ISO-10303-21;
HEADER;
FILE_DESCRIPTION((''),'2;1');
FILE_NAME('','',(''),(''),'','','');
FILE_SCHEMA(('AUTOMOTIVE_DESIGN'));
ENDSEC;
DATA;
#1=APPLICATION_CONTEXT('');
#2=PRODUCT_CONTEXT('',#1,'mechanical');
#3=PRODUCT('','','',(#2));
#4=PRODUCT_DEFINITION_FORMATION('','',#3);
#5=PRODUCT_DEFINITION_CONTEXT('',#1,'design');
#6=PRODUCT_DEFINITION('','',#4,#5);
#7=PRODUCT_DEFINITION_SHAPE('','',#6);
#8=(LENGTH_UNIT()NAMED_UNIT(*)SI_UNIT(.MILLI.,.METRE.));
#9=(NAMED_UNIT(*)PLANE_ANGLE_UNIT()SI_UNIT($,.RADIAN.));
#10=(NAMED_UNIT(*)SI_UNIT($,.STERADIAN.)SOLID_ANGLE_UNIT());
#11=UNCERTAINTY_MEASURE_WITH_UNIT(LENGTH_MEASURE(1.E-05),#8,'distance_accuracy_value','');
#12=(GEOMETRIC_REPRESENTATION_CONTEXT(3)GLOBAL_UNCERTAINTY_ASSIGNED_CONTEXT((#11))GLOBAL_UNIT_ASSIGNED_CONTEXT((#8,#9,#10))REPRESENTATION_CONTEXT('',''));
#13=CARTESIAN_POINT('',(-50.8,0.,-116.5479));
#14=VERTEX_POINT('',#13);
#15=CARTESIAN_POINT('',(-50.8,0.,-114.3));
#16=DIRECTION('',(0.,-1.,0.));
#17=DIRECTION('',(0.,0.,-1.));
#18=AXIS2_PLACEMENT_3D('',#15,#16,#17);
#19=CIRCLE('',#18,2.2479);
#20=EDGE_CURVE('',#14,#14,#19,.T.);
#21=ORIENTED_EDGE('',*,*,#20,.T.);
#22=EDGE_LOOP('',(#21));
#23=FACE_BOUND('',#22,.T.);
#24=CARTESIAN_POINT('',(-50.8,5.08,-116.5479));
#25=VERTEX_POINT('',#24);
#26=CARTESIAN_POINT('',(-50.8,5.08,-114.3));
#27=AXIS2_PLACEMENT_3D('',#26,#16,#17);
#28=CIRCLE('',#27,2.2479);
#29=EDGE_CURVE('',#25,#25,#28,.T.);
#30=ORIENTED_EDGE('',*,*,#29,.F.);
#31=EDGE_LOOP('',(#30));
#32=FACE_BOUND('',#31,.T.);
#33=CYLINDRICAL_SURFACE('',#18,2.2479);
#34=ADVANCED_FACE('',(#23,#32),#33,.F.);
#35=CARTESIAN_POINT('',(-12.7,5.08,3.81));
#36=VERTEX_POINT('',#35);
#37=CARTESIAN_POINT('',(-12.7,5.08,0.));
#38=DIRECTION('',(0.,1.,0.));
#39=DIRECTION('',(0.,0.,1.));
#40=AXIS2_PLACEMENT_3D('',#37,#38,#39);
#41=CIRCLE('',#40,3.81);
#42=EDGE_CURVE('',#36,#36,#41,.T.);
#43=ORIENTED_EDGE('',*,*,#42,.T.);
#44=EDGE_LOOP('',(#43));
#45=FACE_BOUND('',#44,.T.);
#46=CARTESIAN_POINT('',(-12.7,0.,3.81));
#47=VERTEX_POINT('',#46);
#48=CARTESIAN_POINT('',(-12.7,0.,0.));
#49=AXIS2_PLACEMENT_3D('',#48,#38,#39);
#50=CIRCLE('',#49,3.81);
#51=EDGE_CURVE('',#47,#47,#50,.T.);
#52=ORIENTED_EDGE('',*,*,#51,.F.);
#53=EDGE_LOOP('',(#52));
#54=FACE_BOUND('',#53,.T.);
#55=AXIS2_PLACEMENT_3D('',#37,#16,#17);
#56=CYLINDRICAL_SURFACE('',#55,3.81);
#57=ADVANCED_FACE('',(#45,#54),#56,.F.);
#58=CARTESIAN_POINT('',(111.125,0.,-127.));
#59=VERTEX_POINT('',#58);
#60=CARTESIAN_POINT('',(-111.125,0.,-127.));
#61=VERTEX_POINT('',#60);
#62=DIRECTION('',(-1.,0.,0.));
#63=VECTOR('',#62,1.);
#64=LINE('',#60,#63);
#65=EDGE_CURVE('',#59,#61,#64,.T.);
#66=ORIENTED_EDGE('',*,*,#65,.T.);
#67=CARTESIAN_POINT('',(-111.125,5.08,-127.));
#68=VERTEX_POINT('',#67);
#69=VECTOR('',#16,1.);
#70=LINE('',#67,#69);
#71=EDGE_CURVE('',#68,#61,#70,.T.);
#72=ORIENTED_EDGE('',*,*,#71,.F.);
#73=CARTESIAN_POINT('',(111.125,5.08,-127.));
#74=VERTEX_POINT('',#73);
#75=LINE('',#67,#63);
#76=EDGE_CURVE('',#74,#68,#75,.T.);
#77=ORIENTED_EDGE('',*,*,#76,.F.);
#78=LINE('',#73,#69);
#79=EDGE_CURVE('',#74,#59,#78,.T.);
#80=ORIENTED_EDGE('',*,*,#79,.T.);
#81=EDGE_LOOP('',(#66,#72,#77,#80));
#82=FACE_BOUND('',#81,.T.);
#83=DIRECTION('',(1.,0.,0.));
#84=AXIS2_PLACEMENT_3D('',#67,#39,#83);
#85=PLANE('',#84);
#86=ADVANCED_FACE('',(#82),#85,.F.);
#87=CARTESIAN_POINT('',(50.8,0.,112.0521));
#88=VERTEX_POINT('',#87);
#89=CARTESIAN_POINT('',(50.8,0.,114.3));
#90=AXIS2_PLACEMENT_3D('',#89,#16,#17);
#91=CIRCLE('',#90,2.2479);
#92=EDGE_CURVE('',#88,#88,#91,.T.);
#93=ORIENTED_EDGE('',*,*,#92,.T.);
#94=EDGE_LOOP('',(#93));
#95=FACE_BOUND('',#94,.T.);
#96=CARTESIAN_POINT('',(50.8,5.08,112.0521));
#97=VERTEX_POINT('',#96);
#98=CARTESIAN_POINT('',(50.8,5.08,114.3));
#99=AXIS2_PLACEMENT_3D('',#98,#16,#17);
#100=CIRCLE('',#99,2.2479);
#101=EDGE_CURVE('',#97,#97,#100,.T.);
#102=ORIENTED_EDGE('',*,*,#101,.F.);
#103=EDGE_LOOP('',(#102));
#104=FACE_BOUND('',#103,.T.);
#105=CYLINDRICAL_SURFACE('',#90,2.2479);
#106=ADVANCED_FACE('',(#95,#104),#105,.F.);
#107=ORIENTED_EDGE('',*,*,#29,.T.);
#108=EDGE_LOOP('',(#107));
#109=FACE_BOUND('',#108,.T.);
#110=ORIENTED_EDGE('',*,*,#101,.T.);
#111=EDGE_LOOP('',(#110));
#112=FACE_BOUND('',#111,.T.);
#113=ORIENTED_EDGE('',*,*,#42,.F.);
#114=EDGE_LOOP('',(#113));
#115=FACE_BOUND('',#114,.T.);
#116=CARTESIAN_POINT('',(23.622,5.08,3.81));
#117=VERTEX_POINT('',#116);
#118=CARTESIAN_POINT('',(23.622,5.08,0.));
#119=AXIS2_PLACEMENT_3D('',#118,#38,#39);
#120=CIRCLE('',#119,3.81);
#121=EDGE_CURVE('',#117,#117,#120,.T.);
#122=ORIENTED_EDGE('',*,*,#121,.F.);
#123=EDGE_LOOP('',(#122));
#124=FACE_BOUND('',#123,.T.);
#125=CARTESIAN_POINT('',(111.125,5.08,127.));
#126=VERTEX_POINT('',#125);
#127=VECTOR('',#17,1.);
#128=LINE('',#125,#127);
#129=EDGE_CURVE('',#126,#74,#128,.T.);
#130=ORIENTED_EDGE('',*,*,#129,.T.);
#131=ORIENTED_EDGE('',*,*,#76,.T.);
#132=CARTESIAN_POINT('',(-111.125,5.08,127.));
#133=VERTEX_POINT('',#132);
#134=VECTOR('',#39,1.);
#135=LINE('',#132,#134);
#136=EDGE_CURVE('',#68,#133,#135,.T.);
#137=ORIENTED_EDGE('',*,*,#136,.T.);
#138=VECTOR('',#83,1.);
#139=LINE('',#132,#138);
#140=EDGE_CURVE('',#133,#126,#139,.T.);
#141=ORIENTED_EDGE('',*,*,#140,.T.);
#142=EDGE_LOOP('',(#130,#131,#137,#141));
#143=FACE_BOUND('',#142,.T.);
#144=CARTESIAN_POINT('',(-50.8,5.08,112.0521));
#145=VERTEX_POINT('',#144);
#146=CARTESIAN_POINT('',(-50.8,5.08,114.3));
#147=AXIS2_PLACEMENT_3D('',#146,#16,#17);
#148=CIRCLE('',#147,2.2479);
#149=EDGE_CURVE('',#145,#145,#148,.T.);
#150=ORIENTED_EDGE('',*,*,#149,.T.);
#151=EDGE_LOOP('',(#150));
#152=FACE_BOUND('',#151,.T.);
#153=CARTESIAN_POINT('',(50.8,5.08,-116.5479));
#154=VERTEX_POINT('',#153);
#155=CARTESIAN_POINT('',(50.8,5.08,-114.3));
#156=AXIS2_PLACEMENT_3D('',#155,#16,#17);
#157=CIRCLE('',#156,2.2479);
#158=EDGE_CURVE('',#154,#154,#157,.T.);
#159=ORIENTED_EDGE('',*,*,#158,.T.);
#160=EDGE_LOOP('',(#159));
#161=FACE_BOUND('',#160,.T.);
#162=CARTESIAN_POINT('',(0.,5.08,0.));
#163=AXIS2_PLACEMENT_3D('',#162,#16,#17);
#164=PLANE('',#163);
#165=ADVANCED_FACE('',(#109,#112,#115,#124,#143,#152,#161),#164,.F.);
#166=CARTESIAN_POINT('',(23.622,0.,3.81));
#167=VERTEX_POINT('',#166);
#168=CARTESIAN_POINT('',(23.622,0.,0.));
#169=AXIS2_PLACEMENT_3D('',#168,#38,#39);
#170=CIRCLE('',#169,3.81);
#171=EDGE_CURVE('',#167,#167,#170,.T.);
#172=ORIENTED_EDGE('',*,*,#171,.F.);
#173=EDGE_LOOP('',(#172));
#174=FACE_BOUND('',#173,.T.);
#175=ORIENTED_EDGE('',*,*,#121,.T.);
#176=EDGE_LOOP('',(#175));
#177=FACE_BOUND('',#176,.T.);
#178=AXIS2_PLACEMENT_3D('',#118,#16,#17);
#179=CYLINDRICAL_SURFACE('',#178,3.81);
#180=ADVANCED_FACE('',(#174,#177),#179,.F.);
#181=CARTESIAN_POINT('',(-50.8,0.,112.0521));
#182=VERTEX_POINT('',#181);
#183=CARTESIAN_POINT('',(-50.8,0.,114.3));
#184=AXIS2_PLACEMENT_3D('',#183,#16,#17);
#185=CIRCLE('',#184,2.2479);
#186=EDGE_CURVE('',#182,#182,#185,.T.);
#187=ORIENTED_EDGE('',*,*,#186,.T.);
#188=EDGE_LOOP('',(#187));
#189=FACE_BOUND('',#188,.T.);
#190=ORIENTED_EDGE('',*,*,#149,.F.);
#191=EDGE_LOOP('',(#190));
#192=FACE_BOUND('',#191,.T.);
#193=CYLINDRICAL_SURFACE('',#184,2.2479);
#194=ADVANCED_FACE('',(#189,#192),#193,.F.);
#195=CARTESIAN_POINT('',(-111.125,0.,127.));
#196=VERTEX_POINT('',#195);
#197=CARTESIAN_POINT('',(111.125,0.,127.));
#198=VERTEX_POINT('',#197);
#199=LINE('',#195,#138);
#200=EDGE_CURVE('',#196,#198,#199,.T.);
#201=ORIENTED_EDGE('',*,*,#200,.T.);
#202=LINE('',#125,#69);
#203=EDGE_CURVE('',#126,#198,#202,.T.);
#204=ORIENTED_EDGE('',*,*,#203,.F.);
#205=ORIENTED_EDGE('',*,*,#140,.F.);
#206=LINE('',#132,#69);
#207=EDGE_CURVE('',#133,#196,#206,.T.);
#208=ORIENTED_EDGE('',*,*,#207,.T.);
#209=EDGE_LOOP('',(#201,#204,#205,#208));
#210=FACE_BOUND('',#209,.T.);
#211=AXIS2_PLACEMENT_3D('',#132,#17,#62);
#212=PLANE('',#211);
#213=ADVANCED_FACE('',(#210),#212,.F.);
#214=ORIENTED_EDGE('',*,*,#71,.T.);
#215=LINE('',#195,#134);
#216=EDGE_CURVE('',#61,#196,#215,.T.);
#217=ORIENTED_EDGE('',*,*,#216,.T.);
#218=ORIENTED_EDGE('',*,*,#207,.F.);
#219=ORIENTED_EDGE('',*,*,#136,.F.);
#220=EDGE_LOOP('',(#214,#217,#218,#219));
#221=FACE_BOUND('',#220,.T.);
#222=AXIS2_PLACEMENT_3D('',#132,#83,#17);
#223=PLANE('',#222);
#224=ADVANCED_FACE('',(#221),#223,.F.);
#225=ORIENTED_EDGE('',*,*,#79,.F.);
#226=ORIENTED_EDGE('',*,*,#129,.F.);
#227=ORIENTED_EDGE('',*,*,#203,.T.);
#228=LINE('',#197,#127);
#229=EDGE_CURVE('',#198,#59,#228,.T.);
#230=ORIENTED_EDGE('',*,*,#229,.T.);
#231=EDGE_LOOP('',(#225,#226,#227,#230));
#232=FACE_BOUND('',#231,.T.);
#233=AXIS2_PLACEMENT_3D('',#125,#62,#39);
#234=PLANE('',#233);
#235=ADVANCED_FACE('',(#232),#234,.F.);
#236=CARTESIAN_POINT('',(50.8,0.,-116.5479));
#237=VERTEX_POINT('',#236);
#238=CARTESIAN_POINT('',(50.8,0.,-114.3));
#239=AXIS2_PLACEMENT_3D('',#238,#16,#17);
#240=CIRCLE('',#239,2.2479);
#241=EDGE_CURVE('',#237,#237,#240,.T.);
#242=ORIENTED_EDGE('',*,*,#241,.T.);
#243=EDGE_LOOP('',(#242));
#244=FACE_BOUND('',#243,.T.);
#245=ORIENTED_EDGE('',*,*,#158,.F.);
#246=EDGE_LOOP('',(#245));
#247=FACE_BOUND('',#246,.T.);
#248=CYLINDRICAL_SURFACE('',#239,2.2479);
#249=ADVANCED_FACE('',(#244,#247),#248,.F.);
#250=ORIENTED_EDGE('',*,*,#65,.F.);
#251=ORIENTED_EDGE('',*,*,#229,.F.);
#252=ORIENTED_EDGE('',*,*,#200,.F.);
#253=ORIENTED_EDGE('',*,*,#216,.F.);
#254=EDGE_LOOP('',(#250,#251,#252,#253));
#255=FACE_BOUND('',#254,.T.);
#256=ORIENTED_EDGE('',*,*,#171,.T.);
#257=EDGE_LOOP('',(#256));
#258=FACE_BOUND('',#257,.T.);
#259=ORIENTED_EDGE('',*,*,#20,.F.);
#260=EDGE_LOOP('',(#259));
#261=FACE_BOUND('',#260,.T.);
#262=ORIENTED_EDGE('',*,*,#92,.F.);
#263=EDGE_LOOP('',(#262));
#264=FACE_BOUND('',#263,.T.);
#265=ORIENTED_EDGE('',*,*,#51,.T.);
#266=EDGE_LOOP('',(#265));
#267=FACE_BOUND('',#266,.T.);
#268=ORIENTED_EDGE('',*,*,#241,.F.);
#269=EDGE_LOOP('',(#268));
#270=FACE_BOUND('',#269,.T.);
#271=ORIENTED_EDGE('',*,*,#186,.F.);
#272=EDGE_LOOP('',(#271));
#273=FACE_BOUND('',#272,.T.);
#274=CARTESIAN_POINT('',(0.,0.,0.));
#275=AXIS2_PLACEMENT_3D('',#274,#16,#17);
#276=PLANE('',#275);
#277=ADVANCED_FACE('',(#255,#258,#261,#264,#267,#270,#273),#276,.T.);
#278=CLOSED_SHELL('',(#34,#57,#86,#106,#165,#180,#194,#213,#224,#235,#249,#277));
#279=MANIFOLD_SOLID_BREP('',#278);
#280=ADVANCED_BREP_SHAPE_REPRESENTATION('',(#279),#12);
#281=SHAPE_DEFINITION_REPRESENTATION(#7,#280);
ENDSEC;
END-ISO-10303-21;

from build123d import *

# Parameters (mm, degrees)
SKETCH1_W             = 222.25
SKETCH1_H             = 254
BOSS_EXTRUDE1_DEPTH   = 5.08
SKETCH2_R             = 3.81
CUT_EXTRUDE2_DEPTH    = 6.08
F_8_CLEARANCE_HOLE1_D = 4.4958


with BuildPart() as part:
    # Sketch1 → Boss-Extrude1 (new body)
    with BuildSketch(Plane(origin=(0, 0, 0), x_dir=(1, 0, 0), z_dir=(0, 1, 0))):
        Rectangle(SKETCH1_W, SKETCH1_H)
    extrude(amount=BOSS_EXTRUDE1_DEPTH)

    # Sketch2 → Cut-Extrude2 (cut, through all)
    with BuildSketch(Plane(origin=(0, 0, 0), x_dir=(1, 0, 0), z_dir=(0, 1, 0))):
        with Locations((-12.7, 0)):
            Circle(SKETCH2_R)
        with Locations((23.622, 0)):
            Circle(SKETCH2_R)
    extrude(amount=CUT_EXTRUDE2_DEPTH, mode=Mode.SUBTRACT)

    # #8 Clearance Hole1 (through all)
    with Locations(Plane(origin=(0, 0, 0), x_dir=(-1, 0, 0), z_dir=(0, -1, 0))):
        with Locations((50.8, -114.3), (-50.8, -114.3), (-50.8, 114.3), (50.8, 114.3)):
            Hole(F_8_CLEARANCE_HOLE1_D / 2)


solid = part.part
